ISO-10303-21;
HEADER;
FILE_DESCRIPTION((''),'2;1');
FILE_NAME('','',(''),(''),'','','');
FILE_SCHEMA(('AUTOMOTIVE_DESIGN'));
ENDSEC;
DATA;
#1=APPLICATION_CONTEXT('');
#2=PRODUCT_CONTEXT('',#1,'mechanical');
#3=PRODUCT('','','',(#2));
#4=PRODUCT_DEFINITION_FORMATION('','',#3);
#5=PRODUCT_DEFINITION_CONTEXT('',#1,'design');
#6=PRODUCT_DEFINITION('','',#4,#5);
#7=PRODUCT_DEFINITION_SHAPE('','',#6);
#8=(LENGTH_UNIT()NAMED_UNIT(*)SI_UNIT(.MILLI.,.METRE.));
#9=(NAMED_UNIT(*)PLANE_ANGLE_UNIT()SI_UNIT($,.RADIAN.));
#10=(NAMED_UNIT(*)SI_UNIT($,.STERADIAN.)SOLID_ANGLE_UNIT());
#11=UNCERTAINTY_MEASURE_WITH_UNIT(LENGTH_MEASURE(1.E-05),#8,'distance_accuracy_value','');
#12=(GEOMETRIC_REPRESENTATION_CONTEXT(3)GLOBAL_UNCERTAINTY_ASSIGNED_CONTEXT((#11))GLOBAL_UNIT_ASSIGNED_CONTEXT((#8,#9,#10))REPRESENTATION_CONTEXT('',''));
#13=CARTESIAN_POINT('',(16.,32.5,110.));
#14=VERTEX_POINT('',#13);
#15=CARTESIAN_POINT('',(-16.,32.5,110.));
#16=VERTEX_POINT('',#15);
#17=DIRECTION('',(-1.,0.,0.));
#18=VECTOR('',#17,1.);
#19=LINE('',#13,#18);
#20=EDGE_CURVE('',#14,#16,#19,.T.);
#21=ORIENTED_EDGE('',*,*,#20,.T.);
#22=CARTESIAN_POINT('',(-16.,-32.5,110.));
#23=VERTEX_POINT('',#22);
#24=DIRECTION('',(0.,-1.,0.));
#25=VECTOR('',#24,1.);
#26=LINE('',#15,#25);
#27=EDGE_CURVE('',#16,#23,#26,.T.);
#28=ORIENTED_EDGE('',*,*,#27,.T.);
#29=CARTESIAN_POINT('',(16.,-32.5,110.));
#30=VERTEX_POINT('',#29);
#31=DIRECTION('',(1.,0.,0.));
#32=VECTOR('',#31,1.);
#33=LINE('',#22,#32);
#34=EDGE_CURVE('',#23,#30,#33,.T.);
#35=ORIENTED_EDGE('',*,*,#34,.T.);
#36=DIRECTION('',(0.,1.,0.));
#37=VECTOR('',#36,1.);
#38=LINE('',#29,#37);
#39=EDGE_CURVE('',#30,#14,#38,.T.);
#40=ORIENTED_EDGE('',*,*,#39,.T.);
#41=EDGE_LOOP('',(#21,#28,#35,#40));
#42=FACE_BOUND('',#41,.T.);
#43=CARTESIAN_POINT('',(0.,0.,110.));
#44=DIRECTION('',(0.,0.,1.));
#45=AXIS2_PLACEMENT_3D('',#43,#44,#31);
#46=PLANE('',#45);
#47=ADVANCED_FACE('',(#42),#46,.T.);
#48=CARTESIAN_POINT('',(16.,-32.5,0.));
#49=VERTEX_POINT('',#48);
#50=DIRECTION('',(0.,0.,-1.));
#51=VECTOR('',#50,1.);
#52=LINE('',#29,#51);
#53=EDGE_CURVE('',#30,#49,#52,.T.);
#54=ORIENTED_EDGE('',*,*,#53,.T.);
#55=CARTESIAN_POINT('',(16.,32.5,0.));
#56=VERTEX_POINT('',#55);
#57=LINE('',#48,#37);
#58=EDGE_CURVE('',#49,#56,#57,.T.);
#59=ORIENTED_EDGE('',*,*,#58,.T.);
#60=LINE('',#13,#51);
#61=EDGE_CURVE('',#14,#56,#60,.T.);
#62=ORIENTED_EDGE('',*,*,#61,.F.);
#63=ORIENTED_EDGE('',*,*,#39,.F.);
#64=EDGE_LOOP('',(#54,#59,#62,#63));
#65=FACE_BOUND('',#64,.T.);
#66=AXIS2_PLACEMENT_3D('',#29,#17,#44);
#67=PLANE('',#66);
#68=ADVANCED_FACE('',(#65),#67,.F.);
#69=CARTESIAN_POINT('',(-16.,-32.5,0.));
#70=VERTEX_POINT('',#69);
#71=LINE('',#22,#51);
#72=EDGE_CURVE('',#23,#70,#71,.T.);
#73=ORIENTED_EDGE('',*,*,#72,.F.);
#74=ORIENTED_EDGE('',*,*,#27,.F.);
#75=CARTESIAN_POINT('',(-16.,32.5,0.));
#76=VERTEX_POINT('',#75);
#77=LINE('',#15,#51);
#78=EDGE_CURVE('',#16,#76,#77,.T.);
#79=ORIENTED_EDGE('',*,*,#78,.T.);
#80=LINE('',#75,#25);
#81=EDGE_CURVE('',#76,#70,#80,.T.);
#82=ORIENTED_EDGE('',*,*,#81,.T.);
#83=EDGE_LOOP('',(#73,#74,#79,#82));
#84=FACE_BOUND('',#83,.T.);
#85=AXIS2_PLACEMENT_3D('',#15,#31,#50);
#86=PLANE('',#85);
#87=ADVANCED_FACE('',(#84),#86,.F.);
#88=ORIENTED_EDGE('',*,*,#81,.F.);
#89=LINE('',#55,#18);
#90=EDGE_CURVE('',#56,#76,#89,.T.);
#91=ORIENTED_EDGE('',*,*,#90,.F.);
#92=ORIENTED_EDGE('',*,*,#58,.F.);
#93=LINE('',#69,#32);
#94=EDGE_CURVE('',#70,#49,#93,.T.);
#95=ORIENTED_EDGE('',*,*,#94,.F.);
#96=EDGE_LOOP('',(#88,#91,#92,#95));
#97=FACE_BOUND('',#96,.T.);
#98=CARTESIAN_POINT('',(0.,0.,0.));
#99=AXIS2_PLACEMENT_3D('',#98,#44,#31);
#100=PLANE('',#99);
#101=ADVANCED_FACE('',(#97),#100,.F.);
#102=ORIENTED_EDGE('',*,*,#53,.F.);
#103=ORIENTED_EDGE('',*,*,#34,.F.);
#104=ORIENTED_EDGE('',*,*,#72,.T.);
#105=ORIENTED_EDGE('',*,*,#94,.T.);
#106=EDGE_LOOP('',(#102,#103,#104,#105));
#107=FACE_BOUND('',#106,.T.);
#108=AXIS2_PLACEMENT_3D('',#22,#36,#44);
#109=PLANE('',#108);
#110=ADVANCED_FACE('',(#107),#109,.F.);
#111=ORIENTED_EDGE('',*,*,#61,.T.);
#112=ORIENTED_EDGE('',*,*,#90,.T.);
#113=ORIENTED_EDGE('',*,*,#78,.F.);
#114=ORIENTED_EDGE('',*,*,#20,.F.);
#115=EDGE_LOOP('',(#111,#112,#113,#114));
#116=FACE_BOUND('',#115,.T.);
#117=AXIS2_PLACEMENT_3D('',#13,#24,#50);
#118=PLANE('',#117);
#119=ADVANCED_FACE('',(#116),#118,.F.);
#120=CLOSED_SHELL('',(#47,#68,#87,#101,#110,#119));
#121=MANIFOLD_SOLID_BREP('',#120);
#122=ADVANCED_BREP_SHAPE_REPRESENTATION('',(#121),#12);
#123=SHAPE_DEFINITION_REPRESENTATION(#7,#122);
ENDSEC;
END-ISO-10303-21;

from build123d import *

# Parameters (mm, degrees)
SKETCH_1_W      = 32
SKETCH_1_H      = 65
EXTRUDE_1_DEPTH = 110


with BuildPart() as part:
    # 草圖1 → 填料-伸長1 (new body)
    with BuildSketch(Plane.XY):
        Rectangle(SKETCH_1_W, SKETCH_1_H)
    extrude(amount=EXTRUDE_1_DEPTH)


solid = part.part
